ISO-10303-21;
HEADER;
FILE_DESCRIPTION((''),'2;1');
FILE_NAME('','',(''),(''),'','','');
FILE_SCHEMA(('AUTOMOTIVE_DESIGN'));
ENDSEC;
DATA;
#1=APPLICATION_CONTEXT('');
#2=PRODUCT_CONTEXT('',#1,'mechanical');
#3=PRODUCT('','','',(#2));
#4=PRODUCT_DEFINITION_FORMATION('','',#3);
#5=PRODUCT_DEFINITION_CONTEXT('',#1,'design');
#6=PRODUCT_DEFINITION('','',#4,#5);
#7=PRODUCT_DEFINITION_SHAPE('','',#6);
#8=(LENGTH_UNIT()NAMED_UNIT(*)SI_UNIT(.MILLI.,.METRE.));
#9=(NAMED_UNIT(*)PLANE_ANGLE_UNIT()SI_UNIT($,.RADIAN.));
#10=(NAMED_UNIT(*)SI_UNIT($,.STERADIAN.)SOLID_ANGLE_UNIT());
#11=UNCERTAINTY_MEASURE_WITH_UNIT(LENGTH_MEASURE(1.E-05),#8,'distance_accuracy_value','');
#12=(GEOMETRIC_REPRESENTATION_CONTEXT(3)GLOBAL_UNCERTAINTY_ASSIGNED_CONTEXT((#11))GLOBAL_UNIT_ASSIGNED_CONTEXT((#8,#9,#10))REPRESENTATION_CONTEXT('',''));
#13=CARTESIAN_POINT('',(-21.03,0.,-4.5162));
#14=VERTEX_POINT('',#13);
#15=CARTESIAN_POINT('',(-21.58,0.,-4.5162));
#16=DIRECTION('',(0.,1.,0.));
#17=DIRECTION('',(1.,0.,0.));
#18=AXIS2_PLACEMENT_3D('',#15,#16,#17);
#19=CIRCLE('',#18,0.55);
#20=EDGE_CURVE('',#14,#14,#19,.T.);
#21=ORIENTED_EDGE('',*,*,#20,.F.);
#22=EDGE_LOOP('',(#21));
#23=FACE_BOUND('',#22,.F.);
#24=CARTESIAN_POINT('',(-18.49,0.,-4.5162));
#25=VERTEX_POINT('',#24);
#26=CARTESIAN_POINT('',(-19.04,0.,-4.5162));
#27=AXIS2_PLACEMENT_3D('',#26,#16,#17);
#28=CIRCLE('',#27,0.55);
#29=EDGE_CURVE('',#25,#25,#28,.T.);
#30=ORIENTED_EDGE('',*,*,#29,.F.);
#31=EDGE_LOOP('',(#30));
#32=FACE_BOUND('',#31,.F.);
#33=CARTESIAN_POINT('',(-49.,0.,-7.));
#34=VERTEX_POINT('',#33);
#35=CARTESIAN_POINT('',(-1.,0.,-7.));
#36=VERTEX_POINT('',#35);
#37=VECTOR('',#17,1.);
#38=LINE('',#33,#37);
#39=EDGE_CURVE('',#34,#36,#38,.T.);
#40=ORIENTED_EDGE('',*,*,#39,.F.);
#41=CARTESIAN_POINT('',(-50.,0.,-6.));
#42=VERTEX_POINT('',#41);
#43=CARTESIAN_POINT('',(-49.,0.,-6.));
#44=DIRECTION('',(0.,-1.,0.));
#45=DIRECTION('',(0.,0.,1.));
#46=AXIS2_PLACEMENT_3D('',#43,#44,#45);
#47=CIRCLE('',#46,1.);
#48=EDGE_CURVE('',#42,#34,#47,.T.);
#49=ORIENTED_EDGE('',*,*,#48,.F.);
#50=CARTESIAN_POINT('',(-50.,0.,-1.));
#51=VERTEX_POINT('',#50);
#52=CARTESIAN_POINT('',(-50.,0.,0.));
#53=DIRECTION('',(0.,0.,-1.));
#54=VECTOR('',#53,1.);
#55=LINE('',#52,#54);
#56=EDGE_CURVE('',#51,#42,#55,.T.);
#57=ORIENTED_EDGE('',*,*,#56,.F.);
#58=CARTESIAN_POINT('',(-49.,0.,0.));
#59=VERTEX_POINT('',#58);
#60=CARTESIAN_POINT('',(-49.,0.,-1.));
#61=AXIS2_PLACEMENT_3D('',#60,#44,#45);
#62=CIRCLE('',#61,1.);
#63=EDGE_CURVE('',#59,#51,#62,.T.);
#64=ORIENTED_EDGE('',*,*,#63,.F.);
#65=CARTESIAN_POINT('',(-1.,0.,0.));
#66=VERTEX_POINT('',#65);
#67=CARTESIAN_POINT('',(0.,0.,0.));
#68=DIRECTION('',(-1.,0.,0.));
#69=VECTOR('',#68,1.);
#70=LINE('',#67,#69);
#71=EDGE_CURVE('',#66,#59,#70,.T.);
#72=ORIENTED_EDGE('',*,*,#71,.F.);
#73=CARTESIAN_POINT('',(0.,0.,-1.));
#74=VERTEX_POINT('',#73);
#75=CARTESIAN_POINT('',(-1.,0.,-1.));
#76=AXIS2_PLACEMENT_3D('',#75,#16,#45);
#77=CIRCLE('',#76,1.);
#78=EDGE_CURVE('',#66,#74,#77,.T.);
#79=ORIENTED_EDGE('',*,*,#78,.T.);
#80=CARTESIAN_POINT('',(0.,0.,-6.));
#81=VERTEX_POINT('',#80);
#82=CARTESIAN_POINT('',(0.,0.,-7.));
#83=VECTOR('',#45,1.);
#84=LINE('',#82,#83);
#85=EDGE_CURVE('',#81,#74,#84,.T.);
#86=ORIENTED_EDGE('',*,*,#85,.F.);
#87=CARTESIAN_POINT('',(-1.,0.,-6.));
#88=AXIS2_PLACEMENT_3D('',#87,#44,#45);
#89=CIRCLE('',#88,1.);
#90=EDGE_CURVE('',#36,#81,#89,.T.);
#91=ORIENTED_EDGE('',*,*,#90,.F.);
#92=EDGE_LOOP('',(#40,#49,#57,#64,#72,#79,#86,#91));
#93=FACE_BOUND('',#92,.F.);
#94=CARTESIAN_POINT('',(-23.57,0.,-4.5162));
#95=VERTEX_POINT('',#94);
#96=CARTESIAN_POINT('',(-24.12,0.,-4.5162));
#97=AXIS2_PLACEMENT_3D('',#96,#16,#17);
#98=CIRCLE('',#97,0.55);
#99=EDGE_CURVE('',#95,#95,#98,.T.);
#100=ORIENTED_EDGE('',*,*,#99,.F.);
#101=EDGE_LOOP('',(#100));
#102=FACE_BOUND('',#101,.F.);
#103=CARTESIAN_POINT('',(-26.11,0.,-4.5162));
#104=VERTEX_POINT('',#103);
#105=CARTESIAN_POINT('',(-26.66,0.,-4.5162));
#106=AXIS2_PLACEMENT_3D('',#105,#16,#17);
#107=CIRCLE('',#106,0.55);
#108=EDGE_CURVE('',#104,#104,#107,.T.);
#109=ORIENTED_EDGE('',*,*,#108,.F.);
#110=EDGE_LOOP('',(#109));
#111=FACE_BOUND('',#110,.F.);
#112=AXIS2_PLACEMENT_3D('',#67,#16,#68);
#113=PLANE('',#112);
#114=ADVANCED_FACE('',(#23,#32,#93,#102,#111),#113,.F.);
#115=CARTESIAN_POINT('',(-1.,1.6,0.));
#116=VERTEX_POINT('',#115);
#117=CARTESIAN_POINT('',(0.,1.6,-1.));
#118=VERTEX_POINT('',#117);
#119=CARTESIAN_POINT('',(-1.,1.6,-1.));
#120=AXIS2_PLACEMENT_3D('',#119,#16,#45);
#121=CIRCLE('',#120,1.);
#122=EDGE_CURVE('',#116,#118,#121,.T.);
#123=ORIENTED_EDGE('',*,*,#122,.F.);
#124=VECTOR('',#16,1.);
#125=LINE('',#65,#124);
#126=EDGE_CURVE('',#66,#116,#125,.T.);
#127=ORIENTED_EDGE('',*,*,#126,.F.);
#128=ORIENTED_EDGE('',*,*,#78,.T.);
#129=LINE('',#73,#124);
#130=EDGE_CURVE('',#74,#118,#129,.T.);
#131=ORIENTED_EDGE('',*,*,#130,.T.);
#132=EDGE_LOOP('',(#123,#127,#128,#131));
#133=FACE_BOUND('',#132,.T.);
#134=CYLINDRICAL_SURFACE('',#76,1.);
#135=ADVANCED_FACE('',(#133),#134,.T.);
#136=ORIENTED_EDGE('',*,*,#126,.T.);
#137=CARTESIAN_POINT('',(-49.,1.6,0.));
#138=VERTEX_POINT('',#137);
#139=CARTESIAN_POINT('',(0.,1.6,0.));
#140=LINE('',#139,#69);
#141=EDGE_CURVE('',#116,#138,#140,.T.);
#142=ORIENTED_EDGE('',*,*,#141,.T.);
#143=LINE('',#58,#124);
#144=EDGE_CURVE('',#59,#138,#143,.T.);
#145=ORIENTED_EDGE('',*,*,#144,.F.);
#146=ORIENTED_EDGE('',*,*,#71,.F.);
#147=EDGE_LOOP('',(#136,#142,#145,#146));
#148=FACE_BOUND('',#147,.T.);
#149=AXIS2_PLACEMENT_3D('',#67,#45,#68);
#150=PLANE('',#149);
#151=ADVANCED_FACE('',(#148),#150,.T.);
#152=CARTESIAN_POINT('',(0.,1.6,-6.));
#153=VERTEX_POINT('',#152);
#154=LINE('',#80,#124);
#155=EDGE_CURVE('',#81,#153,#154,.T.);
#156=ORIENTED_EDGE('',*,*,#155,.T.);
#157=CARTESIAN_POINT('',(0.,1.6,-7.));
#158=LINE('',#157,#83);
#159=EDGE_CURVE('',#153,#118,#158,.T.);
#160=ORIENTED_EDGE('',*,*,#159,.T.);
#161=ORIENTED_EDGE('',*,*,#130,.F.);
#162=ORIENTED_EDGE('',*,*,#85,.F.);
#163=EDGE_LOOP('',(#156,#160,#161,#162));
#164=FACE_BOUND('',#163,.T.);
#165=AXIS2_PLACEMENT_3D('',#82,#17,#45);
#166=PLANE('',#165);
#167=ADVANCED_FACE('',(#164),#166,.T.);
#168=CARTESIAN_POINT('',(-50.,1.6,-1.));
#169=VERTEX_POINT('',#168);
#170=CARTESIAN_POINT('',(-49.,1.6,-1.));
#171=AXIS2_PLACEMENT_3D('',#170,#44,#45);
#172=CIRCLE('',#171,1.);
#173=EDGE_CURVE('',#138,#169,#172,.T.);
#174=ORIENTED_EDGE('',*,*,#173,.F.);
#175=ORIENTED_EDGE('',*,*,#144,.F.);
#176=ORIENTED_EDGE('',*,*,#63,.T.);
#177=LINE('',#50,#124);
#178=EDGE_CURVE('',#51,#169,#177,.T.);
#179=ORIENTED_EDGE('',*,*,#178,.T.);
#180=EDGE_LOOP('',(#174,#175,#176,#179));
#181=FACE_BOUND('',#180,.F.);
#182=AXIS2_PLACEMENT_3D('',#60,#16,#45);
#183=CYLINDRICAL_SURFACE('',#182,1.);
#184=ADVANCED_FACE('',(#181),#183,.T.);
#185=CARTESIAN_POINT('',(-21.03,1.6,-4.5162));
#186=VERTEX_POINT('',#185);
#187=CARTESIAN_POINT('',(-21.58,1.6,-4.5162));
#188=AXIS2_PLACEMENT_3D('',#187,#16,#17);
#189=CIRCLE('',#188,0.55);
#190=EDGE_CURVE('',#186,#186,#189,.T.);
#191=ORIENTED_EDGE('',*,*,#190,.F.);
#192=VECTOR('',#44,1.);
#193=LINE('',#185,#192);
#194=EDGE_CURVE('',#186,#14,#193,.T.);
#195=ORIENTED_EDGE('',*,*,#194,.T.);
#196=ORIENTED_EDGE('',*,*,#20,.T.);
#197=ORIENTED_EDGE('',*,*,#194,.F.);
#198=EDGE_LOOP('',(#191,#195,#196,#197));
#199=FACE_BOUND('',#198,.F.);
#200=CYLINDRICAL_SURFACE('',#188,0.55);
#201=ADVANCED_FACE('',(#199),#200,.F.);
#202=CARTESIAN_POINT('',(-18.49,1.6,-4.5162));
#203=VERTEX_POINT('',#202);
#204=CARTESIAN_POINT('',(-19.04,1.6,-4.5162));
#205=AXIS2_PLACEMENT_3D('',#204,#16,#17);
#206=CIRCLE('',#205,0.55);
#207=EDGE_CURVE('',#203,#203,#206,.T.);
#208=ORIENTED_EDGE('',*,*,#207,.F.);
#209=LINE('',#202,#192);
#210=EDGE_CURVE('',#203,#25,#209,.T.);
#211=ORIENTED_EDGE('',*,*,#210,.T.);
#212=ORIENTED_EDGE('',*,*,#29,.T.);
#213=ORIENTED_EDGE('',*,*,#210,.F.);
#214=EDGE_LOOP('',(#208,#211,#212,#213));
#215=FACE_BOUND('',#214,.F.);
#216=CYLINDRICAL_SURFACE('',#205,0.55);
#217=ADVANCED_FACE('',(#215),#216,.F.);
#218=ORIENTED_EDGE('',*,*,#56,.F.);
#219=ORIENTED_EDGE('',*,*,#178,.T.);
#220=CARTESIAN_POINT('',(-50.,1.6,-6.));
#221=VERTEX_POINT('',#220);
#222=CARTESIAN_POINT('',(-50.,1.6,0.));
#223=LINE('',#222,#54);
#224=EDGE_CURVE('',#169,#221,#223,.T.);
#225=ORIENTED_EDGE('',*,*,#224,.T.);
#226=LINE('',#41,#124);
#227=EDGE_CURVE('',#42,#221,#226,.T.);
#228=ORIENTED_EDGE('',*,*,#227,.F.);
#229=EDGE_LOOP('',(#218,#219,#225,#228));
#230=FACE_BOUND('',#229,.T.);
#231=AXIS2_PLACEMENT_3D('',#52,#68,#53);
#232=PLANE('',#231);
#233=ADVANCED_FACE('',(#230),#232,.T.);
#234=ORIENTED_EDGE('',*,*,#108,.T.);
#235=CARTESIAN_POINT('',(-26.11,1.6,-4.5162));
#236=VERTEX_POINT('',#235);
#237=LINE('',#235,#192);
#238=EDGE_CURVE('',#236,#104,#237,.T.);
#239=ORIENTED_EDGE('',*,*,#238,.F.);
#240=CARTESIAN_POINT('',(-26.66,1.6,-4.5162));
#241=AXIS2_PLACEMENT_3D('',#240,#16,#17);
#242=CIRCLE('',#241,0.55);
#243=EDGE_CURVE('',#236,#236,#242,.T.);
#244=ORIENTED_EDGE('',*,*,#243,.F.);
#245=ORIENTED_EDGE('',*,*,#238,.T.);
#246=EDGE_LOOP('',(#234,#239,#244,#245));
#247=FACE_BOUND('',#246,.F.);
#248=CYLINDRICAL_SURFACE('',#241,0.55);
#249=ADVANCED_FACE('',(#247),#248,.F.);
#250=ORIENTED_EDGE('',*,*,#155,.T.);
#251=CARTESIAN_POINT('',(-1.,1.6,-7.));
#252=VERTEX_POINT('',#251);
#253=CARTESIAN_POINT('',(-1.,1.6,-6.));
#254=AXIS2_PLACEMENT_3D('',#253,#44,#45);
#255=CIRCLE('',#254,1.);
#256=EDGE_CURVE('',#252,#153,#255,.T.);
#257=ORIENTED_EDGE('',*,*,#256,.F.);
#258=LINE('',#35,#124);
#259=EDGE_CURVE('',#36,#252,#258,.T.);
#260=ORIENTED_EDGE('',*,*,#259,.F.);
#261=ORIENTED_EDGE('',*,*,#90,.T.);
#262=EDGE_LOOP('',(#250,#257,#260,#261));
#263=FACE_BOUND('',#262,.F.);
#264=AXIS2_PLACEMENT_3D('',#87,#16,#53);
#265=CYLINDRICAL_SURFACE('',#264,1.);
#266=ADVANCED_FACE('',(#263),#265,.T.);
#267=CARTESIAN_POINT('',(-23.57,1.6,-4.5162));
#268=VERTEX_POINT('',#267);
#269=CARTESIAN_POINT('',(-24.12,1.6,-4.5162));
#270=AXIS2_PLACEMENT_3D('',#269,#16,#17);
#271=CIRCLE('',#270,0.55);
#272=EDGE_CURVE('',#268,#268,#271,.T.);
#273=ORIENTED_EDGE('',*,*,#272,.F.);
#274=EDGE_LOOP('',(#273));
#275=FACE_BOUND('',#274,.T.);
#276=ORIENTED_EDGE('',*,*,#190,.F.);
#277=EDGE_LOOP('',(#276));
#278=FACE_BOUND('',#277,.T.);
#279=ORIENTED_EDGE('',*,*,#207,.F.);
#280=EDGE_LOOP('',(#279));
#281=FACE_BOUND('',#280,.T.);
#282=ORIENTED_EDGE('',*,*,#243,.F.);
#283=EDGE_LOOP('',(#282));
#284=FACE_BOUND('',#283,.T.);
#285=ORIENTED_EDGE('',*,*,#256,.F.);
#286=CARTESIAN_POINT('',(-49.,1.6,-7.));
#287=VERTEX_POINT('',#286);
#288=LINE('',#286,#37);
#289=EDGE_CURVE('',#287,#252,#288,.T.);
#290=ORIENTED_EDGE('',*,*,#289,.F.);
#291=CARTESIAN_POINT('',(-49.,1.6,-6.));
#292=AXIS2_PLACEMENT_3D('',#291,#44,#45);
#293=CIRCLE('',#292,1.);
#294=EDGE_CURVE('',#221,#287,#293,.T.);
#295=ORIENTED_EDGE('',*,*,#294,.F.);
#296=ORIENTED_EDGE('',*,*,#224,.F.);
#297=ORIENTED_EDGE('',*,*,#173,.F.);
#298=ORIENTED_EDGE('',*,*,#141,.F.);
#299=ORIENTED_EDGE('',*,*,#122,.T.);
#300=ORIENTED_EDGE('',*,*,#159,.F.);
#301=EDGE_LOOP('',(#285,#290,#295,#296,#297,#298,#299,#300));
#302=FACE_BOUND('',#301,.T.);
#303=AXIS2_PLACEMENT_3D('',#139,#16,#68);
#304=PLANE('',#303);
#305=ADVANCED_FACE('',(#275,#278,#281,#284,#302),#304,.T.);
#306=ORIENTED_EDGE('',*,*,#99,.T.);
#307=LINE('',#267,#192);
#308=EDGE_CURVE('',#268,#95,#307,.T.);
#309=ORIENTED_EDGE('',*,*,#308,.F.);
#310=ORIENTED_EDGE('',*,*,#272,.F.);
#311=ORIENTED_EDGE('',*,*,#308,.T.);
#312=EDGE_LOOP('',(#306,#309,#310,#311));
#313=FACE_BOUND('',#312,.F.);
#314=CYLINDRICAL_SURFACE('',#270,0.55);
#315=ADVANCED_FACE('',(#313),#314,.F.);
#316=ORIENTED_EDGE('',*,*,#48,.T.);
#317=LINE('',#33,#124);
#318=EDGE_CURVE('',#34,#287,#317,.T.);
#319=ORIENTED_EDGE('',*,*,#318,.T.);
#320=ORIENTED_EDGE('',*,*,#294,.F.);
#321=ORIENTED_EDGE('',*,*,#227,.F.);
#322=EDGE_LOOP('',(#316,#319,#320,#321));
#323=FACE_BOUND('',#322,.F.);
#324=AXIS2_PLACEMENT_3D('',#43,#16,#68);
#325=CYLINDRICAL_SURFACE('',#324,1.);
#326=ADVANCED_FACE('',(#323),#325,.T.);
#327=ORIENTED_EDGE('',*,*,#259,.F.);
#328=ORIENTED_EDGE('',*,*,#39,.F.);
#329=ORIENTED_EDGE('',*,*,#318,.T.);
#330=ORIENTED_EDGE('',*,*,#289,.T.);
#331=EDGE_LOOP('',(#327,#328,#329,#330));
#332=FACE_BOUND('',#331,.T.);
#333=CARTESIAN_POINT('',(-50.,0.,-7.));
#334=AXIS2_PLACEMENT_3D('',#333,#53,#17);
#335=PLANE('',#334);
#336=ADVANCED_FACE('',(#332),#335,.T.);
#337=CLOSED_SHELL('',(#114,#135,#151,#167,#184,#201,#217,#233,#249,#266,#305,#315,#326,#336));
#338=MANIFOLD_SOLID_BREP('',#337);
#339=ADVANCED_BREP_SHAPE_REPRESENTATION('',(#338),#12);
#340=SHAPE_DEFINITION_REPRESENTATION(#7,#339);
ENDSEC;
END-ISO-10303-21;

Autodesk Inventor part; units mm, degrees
ref_plane "YZ Plane" through (0, 0, 0) normal (1, 0, 0) x (0, 1, 0)
ref_plane "XZ Plane" through (0, 0, 0) normal (0, 1, 0) x (-1, 0, 0)
ref_plane "XY Plane" through (0, 0, 0) normal (0, 0, 1) x (1, 0, 0)
sketch "Szkic1" plane through (0, 0, 0) normal (0, 1, 0) x (-1, 0, 0)
  line L0 (0, 0) -> (50, 0)
  line L1 (50, 0) -> (50, -7)
  line L2 (50, -7) -> (0, -7)
  line L3 (0, -7) -> (0, 0)
  dimension "d0" = 50
  dimension "d1" = 7
extrude "Wyciągnięcie proste1" add sketch "Szkic1" along normal blind 1.6
fillet "Zaokrąglenie1" radius 1 4 edges at (0, 0.8, 0) (0, 0.8, -7) (-50, 0.8, 0) (-50, 0.8, -7)
sketch "Szkic2" plane through (0, 0, 0) normal (0, -1, 0) x (1, 0, 0)
  line L0 (-1, -7) -> (-49, -7) projected
  line L1 (-30, -19.9397) -> (-30, -7.5897) projected
  line L2 (-20, -7.5897) -> (-20, -19.9397) projected
  line L3 (-20, -7) -> (-30, -7)
  line L4 (-30, -7) -> (-30, -21)
  line L5 (-30, -21) -> (-20, -21)
  line L6 (-20, -21) -> (-20, -7)
  line L7 (-21, -20) -> (-29, -20)
  line L8 (-29, -20) -> (-29, -8)
  line L9 (-29, -8) -> (-21, -8)
  line L10 (-21, -8) -> (-21, -20)
  line L11 (-1, -7) -> (-49, -7) projected
  line L12 (-29, -8) -> (-21, -8)
  line L13 (-21, -8) -> (-21, -7)
  line L14 (-21, -7) -> (-29, -7)
  line L15 (-29, -7) -> (-29, -8)
  point P0 (0, 0)
  dimension "d5" = 14
extrude "Wyciągnięcie proste2" add sketch "Szkic2" against normal up to surface (1.6 mm away) contours L13 L9 L15 L0 | L10 L7 L8 L9
sketch "Szkic3" plane through (0, 1.6, 0) normal (0, 1, 0) x (1, 0, 0)
  line L0 (-28.2, 1.9426) -> (-28.2, 7.0897) projected
  line L1 (-17.5, 7.0897) -> (-17.5, 1.9426) projected
  line L2 (-28.2, 4.5162) -> (-17.5, 4.5162) construction
  circle A0 centre (-26.66, 4.5162) radius 0.55
  circle A1 centre (-24.12, 4.5162) radius 0.55
  circle A2 centre (-21.58, 4.5162) radius 0.55
  circle A3 centre (-19.04, 4.5162) radius 0.55
  point P0 (0, 0)
  dimension "d9" = 1.1
  dimension "d12" = 2.54
  dimension "d17" = 1.54
extrude "Wyciągnięcie proste3" cut sketch "Szkic3" against normal through all
fillet "Zaokrąglenie3" radius 0.5 2 edges at (-21, 0.8, -20) (-29, 0.8, -20)
sketch "Szkic6" plane through (0, 1.6, 0) normal (0, 1, 0) x (1, 0, 0)
  point P0 (0, 0)
sketch "Szkic7" plane through (0, 1.6, 0) normal (0, 1, 0) x (1, 0, 0)
  arc A0 (-28.5, 20) -> (-29, 19.5) centre (-28.5, 19.5) ccw projected
  line L0 (-29, 7.5) -> (-29, 19.5) projected
  arc A1 (-29.5, 7) -> (-29, 7.5) centre (-29.5, 7.5) ccw projected
  line L1 (-29.5, 7) -> (-49, 7) projected
  arc A2 (-49, 7) -> (-50, 6) centre (-49, 6) ccw projected
  line L2 (-50, 6) -> (-50, 1) projected
  arc A3 (-50, 1) -> (-49, 0) centre (-49, 1) ccw projected
  line L3 (-49, 0) -> (-1, 0) projected
  arc A4 (-1, 0) -> (0, 1) centre (-1, 1) ccw projected
  line L4 (0, 1) -> (0, 6) projected
  arc A5 (0, 6) -> (-1, 7) centre (-1, 6) ccw projected
  line L5 (-1, 7) -> (-20.5, 7) projected
  arc A6 (-21, 7.5) -> (-20.5, 7) centre (-20.5, 7.5) ccw projected
  line L6 (-21, 19.5) -> (-21, 7.5) projected
  arc A7 (-21, 19.5) -> (-21.5, 20) centre (-21.5, 19.5) ccw projected
  line L7 (-28.5, 20) -> (-21.5, 20) projected
  circle A8 centre (-21.58, 4.5162) radius 0.55 projected
  circle A9 centre (-24.12, 4.5162) radius 0.55 projected
  circle A10 centre (-19.04, 4.5162) radius 0.55 projected
  circle A11 centre (-26.66, 4.5162) radius 0.55 projected
  point P0 (0, 0)
sketch "Szkic8" plane through (0, 1.6, 0) normal (0, 1, 0) x (1, 0, 0)
  line L0 (-29.5, 7) -> (-49, 7) projected
  line L1 (-1, 7) -> (-20.5, 7) projected
  line L2 (-49, 7) -> (-1, 7)
  arc A0 (-28.5, 20) -> (-29, 19.5) centre (-28.5, 19.5) ccw projected
  line L3 (-29, 7.5) -> (-29, 19.5) projected
  arc A1 (-29.5, 7) -> (-29, 7.5) centre (-29.5, 7.5) ccw projected
  line L4 (-29.5, 7) -> (-49, 7) projected
  arc A2 (-49, 7) -> (-50, 6) centre (-49, 6) ccw projected
  line L5 (-50, 6) -> (-50, 1) projected
  arc A3 (-50, 1) -> (-49, 0) centre (-49, 1) ccw projected
  line L6 (-49, 0) -> (-1, 0) projected
  arc A4 (-1, 0) -> (0, 1) centre (-1, 1) ccw projected
  line L7 (0, 1) -> (0, 6) projected
  arc A5 (0, 6) -> (-1, 7) centre (-1, 6) ccw projected
  line L8 (-1, 7) -> (-20.5, 7) projected
  arc A6 (-21, 7.5) -> (-20.5, 7) centre (-20.5, 7.5) ccw projected
  line L9 (-21, 19.5) -> (-21, 7.5) projected
  arc A7 (-21, 19.5) -> (-21.5, 20) centre (-21.5, 19.5) ccw projected
  line L10 (-28.5, 20) -> (-21.5, 20) projected
  circle A8 centre (-21.58, 4.5162) radius 0.55 projected
  circle A9 centre (-24.12, 4.5162) radius 0.55 projected
  circle A10 centre (-19.04, 4.5162) radius 0.55 projected
  circle A11 centre (-26.66, 4.5162) radius 0.55 projected
  point P0 (0, 0)
extrude "Wyciągnięcie proste4" cut sketch "Szkic8" against normal through all contours A1 L3 A0 L10 A7 L9 A6 L2
properties part number "pcb_dolne"
